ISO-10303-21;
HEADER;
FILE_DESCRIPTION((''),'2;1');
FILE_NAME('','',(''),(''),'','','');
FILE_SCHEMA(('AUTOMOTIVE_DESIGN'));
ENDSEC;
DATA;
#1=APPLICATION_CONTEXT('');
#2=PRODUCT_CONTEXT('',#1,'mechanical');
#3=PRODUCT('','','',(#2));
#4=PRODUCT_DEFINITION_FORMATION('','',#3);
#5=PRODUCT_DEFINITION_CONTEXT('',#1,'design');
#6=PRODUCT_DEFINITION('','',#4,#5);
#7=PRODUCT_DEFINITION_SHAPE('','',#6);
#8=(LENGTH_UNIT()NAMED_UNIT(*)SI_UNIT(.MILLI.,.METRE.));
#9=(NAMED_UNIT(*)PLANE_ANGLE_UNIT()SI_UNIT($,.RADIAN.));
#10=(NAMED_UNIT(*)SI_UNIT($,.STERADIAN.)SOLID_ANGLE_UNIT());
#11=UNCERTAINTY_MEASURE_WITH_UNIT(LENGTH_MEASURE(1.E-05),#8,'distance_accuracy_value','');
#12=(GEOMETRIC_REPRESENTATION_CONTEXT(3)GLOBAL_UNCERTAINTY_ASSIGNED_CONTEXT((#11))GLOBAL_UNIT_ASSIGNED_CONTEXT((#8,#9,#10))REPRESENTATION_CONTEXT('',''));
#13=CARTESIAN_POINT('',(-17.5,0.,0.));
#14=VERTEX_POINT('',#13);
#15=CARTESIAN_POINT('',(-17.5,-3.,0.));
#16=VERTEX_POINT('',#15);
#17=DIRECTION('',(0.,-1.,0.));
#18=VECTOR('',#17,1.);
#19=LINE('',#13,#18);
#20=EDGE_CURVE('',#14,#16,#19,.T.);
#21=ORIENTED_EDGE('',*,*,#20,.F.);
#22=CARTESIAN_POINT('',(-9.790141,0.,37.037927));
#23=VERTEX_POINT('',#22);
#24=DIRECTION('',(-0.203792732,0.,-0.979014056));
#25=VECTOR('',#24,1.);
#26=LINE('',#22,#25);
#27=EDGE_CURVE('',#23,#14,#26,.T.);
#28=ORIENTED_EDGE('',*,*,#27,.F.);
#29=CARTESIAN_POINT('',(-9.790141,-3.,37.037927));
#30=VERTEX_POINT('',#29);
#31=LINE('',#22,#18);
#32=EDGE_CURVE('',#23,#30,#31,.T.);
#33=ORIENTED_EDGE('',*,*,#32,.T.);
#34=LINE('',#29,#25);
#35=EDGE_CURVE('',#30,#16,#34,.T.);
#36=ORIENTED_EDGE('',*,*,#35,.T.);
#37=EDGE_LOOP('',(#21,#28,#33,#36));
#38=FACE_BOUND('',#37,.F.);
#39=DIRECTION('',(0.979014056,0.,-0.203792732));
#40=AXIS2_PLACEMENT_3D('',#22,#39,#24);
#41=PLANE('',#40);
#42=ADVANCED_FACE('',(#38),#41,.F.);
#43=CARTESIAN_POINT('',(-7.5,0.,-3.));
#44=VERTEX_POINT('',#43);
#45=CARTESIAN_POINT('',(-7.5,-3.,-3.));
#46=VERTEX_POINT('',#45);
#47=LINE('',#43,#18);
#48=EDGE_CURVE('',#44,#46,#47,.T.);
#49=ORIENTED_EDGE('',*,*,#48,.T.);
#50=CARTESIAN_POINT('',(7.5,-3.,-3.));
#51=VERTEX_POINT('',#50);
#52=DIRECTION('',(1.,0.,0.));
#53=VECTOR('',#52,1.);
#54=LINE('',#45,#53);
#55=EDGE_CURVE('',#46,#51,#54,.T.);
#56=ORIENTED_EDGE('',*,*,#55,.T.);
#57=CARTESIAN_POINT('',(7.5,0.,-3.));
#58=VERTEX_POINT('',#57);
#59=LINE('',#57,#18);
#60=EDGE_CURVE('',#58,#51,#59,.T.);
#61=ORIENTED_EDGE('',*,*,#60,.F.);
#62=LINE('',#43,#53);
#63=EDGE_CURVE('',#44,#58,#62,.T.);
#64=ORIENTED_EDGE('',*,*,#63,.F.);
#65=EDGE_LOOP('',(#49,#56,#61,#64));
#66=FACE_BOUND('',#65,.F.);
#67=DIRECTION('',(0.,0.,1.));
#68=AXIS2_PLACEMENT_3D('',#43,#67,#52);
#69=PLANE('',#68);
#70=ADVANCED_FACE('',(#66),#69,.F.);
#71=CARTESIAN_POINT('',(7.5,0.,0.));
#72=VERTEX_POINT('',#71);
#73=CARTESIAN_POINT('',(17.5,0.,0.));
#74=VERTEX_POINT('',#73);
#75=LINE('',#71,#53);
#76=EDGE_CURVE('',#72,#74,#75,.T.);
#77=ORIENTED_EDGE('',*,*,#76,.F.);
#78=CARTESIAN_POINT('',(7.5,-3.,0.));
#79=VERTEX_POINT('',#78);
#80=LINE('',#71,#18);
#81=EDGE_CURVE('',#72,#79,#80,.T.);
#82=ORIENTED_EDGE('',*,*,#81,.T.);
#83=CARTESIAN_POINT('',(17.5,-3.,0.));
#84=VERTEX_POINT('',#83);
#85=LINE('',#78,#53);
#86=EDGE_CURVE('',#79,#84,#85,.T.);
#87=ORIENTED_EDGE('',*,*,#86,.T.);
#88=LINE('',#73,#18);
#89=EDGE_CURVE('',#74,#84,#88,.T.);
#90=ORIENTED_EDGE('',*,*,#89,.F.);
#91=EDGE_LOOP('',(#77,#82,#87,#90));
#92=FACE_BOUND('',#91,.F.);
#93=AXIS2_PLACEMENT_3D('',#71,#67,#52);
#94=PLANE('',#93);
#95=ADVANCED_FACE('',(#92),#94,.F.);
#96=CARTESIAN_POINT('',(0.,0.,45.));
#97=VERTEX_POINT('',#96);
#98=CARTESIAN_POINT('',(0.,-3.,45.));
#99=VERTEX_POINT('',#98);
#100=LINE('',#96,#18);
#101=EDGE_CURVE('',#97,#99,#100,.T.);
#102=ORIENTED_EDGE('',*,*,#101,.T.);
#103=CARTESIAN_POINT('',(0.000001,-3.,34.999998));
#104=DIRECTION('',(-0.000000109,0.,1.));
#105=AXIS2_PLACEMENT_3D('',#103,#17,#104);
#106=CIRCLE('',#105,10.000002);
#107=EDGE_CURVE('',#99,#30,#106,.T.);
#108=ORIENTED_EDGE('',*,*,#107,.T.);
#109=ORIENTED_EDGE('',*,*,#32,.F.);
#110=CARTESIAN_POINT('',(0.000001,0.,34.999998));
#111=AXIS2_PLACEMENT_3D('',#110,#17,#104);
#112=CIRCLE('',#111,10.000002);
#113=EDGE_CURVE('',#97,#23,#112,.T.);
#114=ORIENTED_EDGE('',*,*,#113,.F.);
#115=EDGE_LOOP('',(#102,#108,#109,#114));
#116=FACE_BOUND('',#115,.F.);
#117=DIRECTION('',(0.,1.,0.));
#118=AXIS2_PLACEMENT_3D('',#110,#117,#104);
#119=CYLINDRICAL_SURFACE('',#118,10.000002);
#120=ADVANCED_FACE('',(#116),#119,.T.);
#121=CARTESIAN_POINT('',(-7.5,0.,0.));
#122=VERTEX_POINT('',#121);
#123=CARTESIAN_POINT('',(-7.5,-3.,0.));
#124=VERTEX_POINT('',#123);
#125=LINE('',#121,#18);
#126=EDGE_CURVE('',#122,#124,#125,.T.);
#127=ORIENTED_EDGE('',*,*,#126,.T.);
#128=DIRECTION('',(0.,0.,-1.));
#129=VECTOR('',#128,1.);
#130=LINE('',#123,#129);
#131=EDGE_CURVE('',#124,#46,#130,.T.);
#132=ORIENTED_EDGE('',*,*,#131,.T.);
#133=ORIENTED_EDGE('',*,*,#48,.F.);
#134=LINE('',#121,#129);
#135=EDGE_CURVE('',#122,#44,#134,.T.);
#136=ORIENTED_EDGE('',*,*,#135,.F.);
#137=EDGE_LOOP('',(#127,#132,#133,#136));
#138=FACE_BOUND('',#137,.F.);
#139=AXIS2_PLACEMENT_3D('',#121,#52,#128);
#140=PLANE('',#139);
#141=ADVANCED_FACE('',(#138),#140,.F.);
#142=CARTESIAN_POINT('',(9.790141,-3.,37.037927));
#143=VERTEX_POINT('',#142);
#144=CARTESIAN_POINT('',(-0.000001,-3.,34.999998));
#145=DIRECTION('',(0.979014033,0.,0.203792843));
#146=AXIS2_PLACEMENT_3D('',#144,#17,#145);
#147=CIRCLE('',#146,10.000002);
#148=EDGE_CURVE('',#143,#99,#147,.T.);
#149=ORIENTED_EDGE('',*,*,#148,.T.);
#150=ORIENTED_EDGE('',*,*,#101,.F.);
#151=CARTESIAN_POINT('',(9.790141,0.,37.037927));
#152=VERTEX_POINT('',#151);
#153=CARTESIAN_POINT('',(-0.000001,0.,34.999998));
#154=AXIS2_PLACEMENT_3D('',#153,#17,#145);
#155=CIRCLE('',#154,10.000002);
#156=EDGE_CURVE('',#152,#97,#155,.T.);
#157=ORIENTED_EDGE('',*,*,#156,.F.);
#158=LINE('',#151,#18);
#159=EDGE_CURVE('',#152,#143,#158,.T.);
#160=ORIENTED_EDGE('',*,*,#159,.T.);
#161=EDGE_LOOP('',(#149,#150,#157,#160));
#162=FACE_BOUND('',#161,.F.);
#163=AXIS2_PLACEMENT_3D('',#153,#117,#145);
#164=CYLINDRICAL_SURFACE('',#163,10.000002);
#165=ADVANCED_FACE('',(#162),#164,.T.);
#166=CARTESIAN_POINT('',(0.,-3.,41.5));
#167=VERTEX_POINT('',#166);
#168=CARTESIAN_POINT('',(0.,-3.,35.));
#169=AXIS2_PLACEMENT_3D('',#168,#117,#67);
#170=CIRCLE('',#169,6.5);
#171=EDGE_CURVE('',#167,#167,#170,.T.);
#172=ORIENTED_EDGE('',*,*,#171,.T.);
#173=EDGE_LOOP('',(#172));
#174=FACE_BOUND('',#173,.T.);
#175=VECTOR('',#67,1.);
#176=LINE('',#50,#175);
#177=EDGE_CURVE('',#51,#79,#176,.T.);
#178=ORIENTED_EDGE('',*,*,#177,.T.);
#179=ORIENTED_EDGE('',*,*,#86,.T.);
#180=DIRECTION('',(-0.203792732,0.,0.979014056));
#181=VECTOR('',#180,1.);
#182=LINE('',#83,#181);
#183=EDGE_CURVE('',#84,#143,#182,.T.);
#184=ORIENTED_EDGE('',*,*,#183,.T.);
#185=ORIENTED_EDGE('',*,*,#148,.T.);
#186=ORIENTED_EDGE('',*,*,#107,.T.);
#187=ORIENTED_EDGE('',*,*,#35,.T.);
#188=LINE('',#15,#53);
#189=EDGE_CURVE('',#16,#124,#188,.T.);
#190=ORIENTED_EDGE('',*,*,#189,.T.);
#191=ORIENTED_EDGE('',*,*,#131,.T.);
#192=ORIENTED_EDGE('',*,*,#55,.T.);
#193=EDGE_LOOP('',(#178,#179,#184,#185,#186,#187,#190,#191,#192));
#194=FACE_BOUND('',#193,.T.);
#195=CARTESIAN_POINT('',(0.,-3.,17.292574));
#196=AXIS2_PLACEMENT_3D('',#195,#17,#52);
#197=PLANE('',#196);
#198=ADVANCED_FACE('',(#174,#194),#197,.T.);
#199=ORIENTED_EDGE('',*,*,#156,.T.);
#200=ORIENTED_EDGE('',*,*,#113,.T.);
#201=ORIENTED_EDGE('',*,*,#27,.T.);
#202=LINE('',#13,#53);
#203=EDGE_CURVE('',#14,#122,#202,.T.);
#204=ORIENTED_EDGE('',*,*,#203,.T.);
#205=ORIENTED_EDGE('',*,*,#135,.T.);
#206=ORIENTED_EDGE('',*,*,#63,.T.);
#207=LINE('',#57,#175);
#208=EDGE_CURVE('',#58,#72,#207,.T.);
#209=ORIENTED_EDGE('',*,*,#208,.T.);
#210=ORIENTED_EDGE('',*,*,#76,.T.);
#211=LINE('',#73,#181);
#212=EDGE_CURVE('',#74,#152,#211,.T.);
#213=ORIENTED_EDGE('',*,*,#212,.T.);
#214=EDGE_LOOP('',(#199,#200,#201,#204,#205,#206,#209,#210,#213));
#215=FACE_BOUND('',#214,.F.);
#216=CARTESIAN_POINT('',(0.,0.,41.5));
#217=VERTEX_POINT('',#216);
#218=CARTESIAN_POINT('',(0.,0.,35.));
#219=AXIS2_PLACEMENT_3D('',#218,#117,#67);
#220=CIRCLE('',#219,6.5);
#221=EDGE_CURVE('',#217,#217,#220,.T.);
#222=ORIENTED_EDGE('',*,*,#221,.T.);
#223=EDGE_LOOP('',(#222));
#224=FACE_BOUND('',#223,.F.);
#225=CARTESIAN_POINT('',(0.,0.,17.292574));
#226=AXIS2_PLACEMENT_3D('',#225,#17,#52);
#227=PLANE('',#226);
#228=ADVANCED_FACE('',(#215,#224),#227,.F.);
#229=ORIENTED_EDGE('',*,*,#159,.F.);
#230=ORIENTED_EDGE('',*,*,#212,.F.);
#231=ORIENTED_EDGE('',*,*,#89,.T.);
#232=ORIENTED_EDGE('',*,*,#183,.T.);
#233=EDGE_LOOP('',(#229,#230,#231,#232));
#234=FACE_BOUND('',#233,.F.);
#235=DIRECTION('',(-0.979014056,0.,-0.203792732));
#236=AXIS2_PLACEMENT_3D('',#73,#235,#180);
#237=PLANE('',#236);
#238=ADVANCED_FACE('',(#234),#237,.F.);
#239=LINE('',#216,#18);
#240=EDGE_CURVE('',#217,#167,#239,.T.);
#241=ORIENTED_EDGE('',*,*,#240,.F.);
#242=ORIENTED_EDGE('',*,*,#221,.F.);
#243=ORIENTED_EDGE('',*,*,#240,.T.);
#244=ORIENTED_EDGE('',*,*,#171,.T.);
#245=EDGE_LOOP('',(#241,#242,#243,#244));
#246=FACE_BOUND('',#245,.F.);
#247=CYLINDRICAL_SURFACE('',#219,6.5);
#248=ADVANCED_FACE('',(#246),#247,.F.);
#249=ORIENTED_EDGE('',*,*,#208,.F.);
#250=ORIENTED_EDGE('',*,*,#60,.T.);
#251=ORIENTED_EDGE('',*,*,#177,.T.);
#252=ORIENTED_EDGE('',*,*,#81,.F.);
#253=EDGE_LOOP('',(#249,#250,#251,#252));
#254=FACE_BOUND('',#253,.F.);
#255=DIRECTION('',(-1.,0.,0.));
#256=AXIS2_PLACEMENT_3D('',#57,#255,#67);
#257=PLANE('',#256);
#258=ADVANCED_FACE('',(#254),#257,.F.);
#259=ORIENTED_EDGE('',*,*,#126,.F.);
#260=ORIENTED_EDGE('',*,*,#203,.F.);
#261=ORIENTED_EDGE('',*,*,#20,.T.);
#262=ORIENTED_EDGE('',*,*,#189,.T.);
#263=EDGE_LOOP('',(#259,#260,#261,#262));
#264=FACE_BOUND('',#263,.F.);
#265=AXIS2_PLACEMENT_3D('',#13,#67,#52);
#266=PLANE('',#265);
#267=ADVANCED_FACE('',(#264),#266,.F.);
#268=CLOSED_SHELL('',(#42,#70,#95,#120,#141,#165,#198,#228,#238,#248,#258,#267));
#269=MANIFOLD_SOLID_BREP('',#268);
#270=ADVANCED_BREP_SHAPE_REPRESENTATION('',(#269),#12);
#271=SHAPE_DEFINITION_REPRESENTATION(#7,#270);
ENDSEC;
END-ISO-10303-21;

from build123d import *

# Parameters (mm, degrees)
F1_DEPTH = 3


with BuildPart() as f1:
    # F0 (on Front) → F1 (new body)
    with BuildSketch(Plane.XZ):
        with BuildLine():
            ThreePointArc((0, 45), (-6.309545, 42.758198), (-9.790141, 37.037927))
            Line((-9.790141, 37.037927), (-17.5, 0))
            Line((-17.5, 0), (-7.5, 0))
            Line((-7.5, 0), (-7.5, -3))
            Line((-7.5, -3), (0, -3))
            Line((0, -3), (7.5, -3))
            Line((7.5, -3), (7.5, 0))
            Line((7.5, 0), (17.5, 0))
            Line((17.5, 0), (9.790141, 37.037927))
            ThreePointArc((9.790141, 37.037927), (6.309545, 42.758198), (0, 45))
        make_face()
        with BuildLine():
            ThreePointArc((0, 28.5), (-6.5, 35), (0, 41.5))
            ThreePointArc((0, 41.5), (6.5, 35), (0, 28.5))
        make_face(mode=Mode.SUBTRACT)
    extrude(amount=F1_DEPTH)


solid = f1.part
